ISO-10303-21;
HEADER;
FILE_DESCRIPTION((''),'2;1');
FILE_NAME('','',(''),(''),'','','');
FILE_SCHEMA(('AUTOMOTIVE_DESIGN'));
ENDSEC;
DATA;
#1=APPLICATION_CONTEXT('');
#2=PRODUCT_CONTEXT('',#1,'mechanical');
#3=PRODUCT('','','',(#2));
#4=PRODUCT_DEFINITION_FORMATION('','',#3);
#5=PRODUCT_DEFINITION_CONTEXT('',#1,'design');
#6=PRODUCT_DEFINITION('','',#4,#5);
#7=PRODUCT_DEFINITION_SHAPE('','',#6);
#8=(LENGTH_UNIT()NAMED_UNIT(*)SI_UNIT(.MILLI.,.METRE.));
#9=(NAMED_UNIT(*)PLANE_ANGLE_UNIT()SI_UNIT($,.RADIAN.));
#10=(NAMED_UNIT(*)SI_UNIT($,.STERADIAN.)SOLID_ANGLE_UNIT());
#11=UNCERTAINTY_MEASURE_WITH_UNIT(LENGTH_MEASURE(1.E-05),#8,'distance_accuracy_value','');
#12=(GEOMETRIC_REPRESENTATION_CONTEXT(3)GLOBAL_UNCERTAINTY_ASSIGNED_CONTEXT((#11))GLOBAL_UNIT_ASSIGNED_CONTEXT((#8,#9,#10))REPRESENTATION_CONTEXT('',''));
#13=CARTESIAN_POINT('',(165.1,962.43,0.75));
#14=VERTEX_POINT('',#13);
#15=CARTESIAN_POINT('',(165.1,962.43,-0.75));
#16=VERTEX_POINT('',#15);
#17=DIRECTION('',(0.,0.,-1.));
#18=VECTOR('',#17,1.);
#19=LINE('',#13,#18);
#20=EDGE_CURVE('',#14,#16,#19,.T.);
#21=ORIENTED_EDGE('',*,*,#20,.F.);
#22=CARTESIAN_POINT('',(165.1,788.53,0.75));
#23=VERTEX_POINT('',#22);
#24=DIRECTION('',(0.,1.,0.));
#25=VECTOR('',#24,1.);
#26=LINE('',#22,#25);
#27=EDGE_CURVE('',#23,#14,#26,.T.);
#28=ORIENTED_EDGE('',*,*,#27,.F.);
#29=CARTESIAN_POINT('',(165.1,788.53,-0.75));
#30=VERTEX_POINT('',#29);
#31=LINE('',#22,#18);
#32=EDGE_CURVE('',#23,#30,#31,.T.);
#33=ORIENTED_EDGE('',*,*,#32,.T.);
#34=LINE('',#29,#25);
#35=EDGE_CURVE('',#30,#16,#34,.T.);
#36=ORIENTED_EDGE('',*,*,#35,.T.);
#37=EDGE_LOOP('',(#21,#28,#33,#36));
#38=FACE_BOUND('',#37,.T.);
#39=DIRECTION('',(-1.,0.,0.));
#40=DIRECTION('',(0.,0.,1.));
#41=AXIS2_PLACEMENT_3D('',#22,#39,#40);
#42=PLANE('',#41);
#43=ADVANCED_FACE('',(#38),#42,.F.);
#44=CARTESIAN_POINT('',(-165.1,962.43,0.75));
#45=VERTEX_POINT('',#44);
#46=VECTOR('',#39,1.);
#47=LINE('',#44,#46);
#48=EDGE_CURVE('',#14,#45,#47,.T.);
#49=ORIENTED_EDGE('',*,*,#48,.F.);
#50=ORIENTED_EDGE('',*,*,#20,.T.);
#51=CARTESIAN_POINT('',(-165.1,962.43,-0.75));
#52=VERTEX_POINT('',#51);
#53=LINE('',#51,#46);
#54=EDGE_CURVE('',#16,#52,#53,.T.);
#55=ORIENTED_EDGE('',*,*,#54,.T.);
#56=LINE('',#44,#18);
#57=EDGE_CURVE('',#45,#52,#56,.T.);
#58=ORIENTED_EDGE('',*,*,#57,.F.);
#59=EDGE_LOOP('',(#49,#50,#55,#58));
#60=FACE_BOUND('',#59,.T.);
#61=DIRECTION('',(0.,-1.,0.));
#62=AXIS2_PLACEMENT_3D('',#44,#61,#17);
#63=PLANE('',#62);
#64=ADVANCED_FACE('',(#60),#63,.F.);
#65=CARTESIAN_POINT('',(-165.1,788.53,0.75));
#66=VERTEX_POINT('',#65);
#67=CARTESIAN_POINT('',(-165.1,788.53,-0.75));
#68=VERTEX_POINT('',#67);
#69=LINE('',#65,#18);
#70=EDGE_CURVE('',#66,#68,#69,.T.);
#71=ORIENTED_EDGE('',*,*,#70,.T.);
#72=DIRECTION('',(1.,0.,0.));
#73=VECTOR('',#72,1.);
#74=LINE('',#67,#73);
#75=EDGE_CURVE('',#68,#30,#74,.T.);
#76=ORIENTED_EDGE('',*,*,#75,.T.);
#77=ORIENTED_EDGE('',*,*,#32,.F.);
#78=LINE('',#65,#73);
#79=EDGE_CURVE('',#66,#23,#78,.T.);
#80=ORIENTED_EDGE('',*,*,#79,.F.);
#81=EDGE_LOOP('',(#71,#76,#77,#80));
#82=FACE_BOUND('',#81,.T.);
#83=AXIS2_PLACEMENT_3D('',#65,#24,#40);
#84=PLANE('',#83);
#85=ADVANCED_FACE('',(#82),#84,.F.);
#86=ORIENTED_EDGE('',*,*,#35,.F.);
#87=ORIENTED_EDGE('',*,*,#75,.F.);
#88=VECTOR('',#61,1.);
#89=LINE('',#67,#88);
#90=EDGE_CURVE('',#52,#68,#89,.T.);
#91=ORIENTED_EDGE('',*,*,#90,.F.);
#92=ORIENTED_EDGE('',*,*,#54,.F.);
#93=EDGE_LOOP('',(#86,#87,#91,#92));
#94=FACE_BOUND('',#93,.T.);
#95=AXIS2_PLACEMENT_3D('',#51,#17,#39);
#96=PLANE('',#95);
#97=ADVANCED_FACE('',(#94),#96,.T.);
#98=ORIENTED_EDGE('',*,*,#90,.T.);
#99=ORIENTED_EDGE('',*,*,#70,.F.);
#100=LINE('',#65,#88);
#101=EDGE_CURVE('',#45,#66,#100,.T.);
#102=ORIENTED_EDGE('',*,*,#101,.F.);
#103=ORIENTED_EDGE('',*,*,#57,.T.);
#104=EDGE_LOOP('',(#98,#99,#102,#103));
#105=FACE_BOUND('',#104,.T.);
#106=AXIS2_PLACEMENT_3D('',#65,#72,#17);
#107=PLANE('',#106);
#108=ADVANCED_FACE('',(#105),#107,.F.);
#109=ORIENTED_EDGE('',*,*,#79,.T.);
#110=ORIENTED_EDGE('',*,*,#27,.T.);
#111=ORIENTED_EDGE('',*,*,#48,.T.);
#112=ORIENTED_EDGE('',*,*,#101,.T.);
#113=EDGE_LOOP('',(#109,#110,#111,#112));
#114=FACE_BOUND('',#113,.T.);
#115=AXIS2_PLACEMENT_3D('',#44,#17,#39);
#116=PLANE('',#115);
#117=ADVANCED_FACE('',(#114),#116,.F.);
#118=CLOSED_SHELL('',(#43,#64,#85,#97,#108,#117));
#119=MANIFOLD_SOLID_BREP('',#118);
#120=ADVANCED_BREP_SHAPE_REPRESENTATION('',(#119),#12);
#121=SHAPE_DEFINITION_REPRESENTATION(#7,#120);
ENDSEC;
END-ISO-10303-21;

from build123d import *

# Parameters (mm, degrees)
SKETCH1_W      = 330.2
SKETCH1_H      = 173.9
EXTRUDE1_DEPTH = 0.75


with BuildPart() as part:
    # Sketch1 → Extrude1 (new body, symmetric)
    with BuildSketch(Plane.XY):
        with Locations((0, 875.48)):
            Rectangle(SKETCH1_W, SKETCH1_H)
    extrude(amount=EXTRUDE1_DEPTH, both=True)


solid = part.part
